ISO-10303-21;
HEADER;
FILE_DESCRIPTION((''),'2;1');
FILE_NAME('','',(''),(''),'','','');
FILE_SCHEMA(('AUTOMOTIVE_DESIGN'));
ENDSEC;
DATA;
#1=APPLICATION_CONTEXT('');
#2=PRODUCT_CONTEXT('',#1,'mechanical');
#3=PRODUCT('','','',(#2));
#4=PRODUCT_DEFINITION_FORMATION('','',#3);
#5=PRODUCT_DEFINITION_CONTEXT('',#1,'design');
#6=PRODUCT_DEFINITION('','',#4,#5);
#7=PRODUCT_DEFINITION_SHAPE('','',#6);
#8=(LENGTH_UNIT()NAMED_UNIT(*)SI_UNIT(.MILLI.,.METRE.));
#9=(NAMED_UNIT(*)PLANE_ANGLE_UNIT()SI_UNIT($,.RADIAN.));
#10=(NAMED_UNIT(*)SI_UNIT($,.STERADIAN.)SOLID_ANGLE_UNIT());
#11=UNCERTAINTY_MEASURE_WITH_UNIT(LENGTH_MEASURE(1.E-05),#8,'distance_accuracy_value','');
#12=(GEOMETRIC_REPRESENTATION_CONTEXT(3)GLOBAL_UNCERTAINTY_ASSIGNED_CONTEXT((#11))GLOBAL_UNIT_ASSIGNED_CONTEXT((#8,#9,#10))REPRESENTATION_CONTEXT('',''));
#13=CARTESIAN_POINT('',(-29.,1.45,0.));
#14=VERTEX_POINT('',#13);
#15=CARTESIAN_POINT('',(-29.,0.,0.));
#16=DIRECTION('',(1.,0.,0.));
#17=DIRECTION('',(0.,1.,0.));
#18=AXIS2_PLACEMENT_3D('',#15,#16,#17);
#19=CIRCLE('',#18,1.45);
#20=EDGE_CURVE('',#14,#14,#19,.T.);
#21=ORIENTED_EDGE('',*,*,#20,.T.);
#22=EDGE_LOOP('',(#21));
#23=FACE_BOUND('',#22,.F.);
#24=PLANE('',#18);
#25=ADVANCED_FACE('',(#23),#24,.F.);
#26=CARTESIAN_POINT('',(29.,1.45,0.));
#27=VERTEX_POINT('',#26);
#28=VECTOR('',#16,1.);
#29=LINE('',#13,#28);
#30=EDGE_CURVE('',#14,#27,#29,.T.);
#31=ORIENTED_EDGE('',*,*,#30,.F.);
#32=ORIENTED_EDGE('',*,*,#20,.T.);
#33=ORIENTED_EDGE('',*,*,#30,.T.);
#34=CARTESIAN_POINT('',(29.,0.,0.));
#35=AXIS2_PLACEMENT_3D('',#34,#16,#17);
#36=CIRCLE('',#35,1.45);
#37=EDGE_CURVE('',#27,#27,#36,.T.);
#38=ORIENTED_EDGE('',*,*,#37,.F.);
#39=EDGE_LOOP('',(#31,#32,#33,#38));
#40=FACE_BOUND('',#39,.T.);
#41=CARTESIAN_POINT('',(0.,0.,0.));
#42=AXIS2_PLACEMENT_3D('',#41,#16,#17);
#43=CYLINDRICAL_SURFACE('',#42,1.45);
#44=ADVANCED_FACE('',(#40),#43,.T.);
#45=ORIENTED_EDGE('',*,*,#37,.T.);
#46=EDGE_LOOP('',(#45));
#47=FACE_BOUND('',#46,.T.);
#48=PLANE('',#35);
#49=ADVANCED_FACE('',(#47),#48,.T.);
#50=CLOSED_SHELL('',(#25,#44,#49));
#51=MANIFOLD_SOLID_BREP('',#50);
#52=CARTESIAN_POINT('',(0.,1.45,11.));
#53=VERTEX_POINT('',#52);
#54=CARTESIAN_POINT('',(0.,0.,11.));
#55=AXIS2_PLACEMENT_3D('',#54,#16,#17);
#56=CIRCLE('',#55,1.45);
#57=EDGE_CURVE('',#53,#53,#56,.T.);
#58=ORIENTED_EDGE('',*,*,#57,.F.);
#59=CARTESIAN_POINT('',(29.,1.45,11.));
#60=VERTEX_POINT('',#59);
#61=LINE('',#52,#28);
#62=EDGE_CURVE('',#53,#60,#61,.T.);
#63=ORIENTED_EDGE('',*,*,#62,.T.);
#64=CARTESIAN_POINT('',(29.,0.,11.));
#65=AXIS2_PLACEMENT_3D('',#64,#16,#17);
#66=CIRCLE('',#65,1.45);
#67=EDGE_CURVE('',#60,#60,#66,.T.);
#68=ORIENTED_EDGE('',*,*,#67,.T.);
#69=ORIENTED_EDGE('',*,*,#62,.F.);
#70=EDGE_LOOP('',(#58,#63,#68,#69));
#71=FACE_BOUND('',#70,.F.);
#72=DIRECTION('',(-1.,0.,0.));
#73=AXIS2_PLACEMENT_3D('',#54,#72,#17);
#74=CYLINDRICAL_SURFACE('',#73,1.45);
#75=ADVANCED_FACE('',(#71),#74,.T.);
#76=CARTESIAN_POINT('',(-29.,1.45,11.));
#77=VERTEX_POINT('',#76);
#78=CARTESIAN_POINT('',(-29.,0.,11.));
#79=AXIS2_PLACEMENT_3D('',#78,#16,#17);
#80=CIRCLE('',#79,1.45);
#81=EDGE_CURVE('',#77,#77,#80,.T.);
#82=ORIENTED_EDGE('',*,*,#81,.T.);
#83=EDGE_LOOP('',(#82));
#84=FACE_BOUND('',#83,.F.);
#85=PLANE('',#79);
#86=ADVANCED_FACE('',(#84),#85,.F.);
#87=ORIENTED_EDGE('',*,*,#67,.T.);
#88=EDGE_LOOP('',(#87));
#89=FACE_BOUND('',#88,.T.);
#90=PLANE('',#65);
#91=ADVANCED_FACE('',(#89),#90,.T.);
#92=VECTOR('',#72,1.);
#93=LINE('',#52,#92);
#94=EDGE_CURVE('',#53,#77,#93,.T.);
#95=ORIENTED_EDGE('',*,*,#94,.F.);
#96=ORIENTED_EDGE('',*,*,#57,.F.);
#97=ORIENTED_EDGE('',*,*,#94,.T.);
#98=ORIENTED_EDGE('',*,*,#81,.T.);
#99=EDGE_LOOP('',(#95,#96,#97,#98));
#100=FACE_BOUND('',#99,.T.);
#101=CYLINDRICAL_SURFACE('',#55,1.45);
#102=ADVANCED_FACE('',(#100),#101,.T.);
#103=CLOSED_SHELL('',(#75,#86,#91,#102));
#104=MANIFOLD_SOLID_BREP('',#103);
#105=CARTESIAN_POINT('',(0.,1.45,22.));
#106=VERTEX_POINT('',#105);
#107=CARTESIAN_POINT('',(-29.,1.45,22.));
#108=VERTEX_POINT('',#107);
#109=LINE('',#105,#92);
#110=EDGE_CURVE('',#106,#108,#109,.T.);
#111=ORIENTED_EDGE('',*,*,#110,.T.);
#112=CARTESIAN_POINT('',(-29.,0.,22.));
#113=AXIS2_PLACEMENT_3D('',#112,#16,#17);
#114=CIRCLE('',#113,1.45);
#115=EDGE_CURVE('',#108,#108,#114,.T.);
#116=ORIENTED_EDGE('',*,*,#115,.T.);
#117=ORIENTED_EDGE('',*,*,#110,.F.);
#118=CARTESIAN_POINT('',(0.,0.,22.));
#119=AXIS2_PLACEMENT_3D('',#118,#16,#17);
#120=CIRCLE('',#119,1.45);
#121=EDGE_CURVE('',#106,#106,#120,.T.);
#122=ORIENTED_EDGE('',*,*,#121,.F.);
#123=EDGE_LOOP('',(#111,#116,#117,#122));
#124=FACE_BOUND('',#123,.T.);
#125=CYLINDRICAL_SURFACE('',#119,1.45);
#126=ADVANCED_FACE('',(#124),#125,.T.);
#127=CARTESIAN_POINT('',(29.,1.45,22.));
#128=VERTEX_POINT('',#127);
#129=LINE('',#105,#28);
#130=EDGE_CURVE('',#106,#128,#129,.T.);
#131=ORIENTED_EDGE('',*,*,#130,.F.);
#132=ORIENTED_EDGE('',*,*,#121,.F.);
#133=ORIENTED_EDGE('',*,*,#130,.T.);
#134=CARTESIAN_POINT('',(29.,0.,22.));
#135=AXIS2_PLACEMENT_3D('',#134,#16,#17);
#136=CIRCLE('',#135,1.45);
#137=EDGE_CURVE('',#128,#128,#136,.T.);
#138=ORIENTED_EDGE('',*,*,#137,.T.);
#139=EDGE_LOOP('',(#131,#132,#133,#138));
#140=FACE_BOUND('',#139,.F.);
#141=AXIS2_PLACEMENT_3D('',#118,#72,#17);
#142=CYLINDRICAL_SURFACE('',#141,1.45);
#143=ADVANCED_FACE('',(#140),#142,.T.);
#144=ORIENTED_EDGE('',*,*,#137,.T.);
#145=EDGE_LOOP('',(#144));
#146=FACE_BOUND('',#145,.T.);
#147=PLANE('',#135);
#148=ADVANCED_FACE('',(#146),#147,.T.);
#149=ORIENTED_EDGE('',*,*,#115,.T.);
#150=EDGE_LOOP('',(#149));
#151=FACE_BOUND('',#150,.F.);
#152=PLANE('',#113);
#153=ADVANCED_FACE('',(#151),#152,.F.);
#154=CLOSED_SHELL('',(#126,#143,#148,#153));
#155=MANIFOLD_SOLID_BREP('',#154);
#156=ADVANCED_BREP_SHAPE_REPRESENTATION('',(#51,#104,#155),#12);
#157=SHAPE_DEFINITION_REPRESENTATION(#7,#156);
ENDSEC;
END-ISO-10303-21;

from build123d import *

# Parameters (mm, degrees)
F0_R     = 1.45
F1_DEPTH = 29


with BuildPart() as f1:
    # F0 (on Right) → F1 (new body, symmetric)
    with BuildSketch(Plane.YZ):
        with Locations((0, 22)):
            Circle(F0_R)
        with Locations((0, 11)):
            Circle(F0_R)
        Circle(F0_R)
    extrude(amount=F1_DEPTH, both=True)


solid = f1.part
